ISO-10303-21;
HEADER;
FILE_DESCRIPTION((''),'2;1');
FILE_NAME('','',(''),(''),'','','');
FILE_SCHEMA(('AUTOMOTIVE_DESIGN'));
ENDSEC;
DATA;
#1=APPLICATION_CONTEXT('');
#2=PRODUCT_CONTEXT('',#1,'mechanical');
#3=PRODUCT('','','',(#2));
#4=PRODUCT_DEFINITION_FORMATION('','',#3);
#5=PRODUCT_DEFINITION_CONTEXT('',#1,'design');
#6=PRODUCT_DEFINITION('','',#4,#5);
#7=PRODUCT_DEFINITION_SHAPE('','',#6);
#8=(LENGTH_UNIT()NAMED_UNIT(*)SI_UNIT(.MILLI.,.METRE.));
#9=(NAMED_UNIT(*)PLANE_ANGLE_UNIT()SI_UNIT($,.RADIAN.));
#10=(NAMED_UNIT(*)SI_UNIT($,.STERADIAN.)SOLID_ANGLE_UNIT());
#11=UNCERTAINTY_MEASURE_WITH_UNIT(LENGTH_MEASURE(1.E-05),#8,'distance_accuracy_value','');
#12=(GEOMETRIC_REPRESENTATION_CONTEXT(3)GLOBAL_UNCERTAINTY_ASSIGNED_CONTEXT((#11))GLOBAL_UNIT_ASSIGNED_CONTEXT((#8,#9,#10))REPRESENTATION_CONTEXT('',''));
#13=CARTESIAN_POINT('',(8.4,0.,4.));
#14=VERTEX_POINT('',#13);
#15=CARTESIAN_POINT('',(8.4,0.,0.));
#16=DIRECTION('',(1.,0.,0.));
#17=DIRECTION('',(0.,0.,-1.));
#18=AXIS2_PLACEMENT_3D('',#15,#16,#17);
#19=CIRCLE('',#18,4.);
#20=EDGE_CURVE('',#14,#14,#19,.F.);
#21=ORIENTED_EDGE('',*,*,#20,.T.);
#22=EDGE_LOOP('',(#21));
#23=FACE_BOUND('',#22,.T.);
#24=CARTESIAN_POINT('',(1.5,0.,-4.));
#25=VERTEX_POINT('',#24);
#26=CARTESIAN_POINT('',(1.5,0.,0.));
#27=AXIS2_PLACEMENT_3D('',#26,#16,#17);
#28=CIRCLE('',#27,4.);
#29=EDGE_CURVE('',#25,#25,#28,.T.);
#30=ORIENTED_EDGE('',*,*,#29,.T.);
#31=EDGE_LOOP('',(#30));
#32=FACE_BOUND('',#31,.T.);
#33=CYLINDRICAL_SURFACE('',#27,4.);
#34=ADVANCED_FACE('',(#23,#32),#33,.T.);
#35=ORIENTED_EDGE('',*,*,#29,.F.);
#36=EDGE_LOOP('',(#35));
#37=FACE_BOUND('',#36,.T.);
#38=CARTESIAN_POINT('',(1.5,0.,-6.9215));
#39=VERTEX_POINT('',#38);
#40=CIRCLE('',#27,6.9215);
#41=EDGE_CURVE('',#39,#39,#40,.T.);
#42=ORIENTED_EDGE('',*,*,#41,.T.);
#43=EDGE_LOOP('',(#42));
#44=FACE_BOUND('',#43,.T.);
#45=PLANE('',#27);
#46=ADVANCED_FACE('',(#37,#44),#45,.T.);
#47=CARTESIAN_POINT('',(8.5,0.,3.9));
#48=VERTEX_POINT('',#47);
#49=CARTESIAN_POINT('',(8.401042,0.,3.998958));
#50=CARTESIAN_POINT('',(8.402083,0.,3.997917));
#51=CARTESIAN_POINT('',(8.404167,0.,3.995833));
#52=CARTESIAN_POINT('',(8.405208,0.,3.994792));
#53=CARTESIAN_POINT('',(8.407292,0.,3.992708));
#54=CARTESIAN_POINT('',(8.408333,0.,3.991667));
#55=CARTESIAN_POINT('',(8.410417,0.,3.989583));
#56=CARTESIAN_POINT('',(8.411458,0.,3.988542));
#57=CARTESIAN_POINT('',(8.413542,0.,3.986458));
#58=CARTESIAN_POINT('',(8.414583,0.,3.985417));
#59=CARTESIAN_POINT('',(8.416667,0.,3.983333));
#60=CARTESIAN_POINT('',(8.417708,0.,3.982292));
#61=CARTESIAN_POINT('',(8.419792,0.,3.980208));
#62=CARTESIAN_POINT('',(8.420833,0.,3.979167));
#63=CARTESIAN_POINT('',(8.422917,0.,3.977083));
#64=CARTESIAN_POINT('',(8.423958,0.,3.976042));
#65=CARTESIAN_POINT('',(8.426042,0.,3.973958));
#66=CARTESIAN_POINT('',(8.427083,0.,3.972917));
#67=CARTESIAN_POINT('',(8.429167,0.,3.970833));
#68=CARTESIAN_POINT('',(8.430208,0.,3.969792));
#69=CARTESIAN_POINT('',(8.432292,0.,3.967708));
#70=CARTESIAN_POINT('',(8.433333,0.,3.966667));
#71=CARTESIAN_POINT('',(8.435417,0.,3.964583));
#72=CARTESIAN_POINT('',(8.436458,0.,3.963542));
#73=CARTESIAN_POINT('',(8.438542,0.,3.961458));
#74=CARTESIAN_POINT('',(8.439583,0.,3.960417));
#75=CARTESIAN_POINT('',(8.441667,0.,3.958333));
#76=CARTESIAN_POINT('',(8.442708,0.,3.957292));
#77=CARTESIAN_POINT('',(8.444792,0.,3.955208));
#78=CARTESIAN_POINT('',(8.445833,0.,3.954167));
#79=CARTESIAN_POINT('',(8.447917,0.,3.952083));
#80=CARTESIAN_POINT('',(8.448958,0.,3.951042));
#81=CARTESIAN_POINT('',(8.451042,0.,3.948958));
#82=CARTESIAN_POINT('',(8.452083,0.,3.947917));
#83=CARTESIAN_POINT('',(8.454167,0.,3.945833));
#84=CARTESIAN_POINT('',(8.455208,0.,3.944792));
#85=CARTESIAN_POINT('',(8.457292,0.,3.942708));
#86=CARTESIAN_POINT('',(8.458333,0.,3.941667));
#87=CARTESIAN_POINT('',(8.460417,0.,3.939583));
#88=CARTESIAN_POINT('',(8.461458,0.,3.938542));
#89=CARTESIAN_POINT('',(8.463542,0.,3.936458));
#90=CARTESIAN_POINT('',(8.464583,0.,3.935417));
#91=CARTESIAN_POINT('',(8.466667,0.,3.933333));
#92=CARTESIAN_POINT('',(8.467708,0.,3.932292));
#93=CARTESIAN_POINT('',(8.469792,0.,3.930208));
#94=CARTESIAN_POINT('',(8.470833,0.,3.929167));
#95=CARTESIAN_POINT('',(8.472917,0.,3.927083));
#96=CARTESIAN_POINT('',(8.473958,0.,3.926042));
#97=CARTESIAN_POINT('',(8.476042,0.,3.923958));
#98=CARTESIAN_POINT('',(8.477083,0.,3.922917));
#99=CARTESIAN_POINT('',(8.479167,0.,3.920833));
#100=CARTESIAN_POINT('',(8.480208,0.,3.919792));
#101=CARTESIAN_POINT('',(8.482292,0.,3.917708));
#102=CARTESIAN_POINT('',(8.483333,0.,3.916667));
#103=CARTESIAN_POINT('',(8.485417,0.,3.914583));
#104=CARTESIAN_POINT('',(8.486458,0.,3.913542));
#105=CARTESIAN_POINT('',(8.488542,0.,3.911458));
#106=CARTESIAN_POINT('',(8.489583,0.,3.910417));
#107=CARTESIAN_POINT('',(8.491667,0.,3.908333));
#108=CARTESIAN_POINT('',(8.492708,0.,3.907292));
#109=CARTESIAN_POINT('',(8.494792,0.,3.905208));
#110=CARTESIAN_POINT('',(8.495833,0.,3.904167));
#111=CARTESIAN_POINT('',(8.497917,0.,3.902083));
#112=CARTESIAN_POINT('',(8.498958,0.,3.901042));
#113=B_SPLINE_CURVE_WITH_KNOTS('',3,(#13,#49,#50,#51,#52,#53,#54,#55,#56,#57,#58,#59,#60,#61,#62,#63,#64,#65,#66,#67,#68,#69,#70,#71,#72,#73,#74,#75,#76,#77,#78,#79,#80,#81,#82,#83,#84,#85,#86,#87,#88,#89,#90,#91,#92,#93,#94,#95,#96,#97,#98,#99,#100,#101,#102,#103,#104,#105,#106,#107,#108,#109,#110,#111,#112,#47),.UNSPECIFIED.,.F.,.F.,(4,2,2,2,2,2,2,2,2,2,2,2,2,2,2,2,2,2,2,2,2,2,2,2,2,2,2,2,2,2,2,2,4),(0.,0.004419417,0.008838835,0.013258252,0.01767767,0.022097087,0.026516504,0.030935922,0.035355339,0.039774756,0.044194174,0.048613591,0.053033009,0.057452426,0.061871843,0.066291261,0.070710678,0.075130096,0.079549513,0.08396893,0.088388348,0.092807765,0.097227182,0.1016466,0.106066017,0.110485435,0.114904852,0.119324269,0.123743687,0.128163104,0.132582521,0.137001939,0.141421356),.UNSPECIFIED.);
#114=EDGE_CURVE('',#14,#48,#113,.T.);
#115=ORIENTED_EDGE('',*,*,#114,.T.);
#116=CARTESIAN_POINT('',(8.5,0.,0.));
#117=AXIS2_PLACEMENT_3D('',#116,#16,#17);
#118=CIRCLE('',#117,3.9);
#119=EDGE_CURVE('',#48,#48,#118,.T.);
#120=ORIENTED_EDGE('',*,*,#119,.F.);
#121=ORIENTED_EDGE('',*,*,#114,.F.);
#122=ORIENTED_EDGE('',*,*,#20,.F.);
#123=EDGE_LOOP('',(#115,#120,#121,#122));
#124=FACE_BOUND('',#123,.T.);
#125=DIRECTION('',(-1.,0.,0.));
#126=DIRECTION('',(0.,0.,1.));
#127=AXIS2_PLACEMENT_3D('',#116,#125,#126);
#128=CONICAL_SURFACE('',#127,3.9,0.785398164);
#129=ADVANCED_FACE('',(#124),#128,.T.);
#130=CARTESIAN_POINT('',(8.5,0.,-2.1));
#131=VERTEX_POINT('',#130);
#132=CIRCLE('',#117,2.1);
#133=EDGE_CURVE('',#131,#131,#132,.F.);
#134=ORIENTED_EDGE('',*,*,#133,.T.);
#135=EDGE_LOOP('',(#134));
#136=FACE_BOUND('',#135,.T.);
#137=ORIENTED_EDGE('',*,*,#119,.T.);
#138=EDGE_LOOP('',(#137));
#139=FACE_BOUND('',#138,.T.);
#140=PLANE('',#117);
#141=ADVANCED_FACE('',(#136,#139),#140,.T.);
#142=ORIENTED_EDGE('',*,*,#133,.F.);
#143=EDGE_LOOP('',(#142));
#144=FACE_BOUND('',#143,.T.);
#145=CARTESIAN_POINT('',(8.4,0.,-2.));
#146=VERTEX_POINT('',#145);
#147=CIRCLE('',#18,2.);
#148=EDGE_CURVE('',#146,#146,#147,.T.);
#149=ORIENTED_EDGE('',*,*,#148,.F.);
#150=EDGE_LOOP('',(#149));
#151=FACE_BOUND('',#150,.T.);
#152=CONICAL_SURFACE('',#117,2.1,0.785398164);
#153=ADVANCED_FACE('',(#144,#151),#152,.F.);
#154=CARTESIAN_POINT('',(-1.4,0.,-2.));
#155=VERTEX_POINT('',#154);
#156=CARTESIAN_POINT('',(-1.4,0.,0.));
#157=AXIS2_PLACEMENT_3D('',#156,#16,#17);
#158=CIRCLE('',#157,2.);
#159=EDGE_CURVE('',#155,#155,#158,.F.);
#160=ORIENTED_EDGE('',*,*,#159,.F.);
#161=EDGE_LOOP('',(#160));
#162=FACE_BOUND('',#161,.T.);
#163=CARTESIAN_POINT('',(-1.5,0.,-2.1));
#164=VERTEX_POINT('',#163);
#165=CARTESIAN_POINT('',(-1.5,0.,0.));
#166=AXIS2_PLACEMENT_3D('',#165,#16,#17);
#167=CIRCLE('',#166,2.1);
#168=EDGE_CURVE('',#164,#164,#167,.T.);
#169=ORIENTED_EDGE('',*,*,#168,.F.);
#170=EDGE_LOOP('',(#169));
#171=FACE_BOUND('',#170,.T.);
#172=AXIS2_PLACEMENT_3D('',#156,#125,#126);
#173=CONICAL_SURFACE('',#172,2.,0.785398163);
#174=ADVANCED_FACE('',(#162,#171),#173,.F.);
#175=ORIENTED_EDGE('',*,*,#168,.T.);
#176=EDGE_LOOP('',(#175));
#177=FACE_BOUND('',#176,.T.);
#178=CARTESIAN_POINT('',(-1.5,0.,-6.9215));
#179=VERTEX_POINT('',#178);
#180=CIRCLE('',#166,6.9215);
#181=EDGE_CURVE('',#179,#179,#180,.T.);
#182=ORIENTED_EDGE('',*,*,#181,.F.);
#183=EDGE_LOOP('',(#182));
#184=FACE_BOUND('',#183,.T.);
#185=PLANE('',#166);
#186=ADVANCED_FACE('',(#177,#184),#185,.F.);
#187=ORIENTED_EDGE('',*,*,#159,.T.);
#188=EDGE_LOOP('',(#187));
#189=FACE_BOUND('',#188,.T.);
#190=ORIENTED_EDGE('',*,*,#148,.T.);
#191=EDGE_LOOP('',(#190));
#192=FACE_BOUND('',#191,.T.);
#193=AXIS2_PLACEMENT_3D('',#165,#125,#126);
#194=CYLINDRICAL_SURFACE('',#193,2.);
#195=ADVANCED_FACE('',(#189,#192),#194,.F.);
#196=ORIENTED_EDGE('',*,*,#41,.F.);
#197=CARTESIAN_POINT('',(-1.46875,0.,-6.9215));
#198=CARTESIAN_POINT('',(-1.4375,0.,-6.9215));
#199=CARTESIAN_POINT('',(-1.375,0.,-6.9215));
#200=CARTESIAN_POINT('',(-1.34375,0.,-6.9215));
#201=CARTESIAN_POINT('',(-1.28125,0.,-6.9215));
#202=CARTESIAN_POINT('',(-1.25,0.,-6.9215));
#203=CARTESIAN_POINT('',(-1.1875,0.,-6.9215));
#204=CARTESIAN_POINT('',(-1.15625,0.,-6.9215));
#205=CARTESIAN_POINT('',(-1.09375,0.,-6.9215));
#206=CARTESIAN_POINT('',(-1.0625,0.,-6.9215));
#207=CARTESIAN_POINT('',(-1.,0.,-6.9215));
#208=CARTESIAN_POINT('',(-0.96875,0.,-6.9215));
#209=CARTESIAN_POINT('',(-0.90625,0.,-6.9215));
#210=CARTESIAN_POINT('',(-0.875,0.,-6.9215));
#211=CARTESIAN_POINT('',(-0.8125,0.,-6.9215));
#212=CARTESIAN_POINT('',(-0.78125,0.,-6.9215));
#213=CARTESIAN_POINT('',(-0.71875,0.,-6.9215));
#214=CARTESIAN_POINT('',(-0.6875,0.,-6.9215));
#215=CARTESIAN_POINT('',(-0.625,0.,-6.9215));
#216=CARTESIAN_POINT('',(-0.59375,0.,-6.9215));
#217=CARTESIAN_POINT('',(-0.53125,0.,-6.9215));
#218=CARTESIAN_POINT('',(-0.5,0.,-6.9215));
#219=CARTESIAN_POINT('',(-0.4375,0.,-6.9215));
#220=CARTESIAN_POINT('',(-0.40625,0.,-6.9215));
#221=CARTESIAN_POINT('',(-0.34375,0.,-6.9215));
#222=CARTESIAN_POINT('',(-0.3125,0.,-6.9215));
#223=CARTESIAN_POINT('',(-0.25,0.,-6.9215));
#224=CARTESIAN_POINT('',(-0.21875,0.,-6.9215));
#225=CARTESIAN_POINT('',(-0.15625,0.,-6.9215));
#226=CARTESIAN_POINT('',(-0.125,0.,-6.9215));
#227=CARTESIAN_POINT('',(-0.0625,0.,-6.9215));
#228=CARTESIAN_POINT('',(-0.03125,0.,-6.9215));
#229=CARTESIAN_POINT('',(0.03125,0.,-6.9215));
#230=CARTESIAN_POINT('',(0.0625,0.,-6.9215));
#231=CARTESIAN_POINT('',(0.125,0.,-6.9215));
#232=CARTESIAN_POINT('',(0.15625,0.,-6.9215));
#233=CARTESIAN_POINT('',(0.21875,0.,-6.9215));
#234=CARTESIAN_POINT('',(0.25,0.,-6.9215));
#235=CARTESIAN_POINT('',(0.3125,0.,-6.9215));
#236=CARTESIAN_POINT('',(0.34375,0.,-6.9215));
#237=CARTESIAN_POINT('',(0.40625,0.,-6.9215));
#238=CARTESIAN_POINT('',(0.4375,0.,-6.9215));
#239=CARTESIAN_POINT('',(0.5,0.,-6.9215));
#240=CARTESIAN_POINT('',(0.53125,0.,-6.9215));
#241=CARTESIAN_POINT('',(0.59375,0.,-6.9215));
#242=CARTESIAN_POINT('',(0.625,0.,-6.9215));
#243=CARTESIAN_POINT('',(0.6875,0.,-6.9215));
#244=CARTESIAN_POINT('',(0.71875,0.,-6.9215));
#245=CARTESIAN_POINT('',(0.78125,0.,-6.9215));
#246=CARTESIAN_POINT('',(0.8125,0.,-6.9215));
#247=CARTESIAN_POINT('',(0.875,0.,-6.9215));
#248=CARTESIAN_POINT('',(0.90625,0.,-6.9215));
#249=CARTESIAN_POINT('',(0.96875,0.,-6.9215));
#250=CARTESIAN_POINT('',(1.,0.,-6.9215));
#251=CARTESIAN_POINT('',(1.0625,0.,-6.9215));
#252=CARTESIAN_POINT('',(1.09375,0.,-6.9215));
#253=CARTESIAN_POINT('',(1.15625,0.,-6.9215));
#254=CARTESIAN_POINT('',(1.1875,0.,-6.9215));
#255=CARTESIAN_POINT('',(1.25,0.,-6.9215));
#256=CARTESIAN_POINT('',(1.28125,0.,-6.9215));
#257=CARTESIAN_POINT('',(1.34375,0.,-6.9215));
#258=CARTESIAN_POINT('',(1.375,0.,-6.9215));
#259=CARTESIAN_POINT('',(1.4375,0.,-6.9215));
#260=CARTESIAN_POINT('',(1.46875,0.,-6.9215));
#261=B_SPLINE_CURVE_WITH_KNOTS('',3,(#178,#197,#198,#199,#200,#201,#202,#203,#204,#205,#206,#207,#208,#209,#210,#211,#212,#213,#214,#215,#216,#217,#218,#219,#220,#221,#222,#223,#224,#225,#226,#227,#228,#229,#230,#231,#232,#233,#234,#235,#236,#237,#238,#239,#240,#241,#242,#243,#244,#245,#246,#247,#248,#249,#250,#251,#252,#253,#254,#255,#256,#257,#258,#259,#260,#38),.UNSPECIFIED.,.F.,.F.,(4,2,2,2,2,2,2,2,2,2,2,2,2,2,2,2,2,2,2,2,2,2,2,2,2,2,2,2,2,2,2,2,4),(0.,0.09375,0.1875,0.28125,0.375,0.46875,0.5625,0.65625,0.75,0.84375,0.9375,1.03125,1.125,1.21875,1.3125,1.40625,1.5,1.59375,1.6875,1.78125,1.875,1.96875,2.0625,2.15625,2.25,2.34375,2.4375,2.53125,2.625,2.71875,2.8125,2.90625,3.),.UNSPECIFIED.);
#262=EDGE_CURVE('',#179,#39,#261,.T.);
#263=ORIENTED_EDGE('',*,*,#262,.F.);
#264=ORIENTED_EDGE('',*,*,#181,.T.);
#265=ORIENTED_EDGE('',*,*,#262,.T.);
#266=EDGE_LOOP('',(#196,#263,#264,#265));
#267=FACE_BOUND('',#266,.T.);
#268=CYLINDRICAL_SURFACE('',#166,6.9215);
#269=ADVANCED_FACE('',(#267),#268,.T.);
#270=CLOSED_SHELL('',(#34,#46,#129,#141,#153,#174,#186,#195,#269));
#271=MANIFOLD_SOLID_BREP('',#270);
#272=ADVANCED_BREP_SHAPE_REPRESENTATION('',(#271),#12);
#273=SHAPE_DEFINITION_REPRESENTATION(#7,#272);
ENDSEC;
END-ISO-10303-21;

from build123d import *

# Parameters (mm, degrees)
SKETCH1_R                = 6.9215
BOSS_EXTRUDE1_DEPTH      = 3
SKETCH3_W                = 7
SKETCH3_H                = 4
F_4_0_4_DIAMETER_HOLE1_D = 4
CHAMFER1_SIZE            = 0.1


with BuildPart() as part:
    # Sketch1 → Boss-Extrude1 (new body)
    with BuildSketch(Plane(origin=(1.5, 0, 0), x_dir=(0, 0, -1), z_dir=(1, 0, 0))):
        Circle(SKETCH1_R)
    extrude(amount=-BOSS_EXTRUDE1_DEPTH)

    # Sketch3 → Revolve1 (revolve)
    with BuildSketch(Plane.XY, mode=Mode.PRIVATE) as revolve1_sk:
        with Locations((5, 2)):
            Rectangle(SKETCH3_W, SKETCH3_H)
    revolve(revolve1_sk.sketch.rotate(Axis((1.5, 0, 0), (1, 0, 0)), 270), axis=Axis((1.5, 0, 0), (1, 0, 0)))

    # Ø4.0 (4) Diameter Hole1 (through all)
    with Locations(Plane.ZY.offset(1.5)):
        with Locations((0, 0)):
            Hole(F_4_0_4_DIAMETER_HOLE1_D / 2)

    # Chamfer1
    chamfer1_edges = [part.edges().sort_by_distance(p)[0] for p in [
        (-1.5, 0, 2),
        (8.5, 0, 2),
        (8.5, 0, 4),
    ]]
    chamfer(chamfer1_edges, length=CHAMFER1_SIZE)


solid = part.part
